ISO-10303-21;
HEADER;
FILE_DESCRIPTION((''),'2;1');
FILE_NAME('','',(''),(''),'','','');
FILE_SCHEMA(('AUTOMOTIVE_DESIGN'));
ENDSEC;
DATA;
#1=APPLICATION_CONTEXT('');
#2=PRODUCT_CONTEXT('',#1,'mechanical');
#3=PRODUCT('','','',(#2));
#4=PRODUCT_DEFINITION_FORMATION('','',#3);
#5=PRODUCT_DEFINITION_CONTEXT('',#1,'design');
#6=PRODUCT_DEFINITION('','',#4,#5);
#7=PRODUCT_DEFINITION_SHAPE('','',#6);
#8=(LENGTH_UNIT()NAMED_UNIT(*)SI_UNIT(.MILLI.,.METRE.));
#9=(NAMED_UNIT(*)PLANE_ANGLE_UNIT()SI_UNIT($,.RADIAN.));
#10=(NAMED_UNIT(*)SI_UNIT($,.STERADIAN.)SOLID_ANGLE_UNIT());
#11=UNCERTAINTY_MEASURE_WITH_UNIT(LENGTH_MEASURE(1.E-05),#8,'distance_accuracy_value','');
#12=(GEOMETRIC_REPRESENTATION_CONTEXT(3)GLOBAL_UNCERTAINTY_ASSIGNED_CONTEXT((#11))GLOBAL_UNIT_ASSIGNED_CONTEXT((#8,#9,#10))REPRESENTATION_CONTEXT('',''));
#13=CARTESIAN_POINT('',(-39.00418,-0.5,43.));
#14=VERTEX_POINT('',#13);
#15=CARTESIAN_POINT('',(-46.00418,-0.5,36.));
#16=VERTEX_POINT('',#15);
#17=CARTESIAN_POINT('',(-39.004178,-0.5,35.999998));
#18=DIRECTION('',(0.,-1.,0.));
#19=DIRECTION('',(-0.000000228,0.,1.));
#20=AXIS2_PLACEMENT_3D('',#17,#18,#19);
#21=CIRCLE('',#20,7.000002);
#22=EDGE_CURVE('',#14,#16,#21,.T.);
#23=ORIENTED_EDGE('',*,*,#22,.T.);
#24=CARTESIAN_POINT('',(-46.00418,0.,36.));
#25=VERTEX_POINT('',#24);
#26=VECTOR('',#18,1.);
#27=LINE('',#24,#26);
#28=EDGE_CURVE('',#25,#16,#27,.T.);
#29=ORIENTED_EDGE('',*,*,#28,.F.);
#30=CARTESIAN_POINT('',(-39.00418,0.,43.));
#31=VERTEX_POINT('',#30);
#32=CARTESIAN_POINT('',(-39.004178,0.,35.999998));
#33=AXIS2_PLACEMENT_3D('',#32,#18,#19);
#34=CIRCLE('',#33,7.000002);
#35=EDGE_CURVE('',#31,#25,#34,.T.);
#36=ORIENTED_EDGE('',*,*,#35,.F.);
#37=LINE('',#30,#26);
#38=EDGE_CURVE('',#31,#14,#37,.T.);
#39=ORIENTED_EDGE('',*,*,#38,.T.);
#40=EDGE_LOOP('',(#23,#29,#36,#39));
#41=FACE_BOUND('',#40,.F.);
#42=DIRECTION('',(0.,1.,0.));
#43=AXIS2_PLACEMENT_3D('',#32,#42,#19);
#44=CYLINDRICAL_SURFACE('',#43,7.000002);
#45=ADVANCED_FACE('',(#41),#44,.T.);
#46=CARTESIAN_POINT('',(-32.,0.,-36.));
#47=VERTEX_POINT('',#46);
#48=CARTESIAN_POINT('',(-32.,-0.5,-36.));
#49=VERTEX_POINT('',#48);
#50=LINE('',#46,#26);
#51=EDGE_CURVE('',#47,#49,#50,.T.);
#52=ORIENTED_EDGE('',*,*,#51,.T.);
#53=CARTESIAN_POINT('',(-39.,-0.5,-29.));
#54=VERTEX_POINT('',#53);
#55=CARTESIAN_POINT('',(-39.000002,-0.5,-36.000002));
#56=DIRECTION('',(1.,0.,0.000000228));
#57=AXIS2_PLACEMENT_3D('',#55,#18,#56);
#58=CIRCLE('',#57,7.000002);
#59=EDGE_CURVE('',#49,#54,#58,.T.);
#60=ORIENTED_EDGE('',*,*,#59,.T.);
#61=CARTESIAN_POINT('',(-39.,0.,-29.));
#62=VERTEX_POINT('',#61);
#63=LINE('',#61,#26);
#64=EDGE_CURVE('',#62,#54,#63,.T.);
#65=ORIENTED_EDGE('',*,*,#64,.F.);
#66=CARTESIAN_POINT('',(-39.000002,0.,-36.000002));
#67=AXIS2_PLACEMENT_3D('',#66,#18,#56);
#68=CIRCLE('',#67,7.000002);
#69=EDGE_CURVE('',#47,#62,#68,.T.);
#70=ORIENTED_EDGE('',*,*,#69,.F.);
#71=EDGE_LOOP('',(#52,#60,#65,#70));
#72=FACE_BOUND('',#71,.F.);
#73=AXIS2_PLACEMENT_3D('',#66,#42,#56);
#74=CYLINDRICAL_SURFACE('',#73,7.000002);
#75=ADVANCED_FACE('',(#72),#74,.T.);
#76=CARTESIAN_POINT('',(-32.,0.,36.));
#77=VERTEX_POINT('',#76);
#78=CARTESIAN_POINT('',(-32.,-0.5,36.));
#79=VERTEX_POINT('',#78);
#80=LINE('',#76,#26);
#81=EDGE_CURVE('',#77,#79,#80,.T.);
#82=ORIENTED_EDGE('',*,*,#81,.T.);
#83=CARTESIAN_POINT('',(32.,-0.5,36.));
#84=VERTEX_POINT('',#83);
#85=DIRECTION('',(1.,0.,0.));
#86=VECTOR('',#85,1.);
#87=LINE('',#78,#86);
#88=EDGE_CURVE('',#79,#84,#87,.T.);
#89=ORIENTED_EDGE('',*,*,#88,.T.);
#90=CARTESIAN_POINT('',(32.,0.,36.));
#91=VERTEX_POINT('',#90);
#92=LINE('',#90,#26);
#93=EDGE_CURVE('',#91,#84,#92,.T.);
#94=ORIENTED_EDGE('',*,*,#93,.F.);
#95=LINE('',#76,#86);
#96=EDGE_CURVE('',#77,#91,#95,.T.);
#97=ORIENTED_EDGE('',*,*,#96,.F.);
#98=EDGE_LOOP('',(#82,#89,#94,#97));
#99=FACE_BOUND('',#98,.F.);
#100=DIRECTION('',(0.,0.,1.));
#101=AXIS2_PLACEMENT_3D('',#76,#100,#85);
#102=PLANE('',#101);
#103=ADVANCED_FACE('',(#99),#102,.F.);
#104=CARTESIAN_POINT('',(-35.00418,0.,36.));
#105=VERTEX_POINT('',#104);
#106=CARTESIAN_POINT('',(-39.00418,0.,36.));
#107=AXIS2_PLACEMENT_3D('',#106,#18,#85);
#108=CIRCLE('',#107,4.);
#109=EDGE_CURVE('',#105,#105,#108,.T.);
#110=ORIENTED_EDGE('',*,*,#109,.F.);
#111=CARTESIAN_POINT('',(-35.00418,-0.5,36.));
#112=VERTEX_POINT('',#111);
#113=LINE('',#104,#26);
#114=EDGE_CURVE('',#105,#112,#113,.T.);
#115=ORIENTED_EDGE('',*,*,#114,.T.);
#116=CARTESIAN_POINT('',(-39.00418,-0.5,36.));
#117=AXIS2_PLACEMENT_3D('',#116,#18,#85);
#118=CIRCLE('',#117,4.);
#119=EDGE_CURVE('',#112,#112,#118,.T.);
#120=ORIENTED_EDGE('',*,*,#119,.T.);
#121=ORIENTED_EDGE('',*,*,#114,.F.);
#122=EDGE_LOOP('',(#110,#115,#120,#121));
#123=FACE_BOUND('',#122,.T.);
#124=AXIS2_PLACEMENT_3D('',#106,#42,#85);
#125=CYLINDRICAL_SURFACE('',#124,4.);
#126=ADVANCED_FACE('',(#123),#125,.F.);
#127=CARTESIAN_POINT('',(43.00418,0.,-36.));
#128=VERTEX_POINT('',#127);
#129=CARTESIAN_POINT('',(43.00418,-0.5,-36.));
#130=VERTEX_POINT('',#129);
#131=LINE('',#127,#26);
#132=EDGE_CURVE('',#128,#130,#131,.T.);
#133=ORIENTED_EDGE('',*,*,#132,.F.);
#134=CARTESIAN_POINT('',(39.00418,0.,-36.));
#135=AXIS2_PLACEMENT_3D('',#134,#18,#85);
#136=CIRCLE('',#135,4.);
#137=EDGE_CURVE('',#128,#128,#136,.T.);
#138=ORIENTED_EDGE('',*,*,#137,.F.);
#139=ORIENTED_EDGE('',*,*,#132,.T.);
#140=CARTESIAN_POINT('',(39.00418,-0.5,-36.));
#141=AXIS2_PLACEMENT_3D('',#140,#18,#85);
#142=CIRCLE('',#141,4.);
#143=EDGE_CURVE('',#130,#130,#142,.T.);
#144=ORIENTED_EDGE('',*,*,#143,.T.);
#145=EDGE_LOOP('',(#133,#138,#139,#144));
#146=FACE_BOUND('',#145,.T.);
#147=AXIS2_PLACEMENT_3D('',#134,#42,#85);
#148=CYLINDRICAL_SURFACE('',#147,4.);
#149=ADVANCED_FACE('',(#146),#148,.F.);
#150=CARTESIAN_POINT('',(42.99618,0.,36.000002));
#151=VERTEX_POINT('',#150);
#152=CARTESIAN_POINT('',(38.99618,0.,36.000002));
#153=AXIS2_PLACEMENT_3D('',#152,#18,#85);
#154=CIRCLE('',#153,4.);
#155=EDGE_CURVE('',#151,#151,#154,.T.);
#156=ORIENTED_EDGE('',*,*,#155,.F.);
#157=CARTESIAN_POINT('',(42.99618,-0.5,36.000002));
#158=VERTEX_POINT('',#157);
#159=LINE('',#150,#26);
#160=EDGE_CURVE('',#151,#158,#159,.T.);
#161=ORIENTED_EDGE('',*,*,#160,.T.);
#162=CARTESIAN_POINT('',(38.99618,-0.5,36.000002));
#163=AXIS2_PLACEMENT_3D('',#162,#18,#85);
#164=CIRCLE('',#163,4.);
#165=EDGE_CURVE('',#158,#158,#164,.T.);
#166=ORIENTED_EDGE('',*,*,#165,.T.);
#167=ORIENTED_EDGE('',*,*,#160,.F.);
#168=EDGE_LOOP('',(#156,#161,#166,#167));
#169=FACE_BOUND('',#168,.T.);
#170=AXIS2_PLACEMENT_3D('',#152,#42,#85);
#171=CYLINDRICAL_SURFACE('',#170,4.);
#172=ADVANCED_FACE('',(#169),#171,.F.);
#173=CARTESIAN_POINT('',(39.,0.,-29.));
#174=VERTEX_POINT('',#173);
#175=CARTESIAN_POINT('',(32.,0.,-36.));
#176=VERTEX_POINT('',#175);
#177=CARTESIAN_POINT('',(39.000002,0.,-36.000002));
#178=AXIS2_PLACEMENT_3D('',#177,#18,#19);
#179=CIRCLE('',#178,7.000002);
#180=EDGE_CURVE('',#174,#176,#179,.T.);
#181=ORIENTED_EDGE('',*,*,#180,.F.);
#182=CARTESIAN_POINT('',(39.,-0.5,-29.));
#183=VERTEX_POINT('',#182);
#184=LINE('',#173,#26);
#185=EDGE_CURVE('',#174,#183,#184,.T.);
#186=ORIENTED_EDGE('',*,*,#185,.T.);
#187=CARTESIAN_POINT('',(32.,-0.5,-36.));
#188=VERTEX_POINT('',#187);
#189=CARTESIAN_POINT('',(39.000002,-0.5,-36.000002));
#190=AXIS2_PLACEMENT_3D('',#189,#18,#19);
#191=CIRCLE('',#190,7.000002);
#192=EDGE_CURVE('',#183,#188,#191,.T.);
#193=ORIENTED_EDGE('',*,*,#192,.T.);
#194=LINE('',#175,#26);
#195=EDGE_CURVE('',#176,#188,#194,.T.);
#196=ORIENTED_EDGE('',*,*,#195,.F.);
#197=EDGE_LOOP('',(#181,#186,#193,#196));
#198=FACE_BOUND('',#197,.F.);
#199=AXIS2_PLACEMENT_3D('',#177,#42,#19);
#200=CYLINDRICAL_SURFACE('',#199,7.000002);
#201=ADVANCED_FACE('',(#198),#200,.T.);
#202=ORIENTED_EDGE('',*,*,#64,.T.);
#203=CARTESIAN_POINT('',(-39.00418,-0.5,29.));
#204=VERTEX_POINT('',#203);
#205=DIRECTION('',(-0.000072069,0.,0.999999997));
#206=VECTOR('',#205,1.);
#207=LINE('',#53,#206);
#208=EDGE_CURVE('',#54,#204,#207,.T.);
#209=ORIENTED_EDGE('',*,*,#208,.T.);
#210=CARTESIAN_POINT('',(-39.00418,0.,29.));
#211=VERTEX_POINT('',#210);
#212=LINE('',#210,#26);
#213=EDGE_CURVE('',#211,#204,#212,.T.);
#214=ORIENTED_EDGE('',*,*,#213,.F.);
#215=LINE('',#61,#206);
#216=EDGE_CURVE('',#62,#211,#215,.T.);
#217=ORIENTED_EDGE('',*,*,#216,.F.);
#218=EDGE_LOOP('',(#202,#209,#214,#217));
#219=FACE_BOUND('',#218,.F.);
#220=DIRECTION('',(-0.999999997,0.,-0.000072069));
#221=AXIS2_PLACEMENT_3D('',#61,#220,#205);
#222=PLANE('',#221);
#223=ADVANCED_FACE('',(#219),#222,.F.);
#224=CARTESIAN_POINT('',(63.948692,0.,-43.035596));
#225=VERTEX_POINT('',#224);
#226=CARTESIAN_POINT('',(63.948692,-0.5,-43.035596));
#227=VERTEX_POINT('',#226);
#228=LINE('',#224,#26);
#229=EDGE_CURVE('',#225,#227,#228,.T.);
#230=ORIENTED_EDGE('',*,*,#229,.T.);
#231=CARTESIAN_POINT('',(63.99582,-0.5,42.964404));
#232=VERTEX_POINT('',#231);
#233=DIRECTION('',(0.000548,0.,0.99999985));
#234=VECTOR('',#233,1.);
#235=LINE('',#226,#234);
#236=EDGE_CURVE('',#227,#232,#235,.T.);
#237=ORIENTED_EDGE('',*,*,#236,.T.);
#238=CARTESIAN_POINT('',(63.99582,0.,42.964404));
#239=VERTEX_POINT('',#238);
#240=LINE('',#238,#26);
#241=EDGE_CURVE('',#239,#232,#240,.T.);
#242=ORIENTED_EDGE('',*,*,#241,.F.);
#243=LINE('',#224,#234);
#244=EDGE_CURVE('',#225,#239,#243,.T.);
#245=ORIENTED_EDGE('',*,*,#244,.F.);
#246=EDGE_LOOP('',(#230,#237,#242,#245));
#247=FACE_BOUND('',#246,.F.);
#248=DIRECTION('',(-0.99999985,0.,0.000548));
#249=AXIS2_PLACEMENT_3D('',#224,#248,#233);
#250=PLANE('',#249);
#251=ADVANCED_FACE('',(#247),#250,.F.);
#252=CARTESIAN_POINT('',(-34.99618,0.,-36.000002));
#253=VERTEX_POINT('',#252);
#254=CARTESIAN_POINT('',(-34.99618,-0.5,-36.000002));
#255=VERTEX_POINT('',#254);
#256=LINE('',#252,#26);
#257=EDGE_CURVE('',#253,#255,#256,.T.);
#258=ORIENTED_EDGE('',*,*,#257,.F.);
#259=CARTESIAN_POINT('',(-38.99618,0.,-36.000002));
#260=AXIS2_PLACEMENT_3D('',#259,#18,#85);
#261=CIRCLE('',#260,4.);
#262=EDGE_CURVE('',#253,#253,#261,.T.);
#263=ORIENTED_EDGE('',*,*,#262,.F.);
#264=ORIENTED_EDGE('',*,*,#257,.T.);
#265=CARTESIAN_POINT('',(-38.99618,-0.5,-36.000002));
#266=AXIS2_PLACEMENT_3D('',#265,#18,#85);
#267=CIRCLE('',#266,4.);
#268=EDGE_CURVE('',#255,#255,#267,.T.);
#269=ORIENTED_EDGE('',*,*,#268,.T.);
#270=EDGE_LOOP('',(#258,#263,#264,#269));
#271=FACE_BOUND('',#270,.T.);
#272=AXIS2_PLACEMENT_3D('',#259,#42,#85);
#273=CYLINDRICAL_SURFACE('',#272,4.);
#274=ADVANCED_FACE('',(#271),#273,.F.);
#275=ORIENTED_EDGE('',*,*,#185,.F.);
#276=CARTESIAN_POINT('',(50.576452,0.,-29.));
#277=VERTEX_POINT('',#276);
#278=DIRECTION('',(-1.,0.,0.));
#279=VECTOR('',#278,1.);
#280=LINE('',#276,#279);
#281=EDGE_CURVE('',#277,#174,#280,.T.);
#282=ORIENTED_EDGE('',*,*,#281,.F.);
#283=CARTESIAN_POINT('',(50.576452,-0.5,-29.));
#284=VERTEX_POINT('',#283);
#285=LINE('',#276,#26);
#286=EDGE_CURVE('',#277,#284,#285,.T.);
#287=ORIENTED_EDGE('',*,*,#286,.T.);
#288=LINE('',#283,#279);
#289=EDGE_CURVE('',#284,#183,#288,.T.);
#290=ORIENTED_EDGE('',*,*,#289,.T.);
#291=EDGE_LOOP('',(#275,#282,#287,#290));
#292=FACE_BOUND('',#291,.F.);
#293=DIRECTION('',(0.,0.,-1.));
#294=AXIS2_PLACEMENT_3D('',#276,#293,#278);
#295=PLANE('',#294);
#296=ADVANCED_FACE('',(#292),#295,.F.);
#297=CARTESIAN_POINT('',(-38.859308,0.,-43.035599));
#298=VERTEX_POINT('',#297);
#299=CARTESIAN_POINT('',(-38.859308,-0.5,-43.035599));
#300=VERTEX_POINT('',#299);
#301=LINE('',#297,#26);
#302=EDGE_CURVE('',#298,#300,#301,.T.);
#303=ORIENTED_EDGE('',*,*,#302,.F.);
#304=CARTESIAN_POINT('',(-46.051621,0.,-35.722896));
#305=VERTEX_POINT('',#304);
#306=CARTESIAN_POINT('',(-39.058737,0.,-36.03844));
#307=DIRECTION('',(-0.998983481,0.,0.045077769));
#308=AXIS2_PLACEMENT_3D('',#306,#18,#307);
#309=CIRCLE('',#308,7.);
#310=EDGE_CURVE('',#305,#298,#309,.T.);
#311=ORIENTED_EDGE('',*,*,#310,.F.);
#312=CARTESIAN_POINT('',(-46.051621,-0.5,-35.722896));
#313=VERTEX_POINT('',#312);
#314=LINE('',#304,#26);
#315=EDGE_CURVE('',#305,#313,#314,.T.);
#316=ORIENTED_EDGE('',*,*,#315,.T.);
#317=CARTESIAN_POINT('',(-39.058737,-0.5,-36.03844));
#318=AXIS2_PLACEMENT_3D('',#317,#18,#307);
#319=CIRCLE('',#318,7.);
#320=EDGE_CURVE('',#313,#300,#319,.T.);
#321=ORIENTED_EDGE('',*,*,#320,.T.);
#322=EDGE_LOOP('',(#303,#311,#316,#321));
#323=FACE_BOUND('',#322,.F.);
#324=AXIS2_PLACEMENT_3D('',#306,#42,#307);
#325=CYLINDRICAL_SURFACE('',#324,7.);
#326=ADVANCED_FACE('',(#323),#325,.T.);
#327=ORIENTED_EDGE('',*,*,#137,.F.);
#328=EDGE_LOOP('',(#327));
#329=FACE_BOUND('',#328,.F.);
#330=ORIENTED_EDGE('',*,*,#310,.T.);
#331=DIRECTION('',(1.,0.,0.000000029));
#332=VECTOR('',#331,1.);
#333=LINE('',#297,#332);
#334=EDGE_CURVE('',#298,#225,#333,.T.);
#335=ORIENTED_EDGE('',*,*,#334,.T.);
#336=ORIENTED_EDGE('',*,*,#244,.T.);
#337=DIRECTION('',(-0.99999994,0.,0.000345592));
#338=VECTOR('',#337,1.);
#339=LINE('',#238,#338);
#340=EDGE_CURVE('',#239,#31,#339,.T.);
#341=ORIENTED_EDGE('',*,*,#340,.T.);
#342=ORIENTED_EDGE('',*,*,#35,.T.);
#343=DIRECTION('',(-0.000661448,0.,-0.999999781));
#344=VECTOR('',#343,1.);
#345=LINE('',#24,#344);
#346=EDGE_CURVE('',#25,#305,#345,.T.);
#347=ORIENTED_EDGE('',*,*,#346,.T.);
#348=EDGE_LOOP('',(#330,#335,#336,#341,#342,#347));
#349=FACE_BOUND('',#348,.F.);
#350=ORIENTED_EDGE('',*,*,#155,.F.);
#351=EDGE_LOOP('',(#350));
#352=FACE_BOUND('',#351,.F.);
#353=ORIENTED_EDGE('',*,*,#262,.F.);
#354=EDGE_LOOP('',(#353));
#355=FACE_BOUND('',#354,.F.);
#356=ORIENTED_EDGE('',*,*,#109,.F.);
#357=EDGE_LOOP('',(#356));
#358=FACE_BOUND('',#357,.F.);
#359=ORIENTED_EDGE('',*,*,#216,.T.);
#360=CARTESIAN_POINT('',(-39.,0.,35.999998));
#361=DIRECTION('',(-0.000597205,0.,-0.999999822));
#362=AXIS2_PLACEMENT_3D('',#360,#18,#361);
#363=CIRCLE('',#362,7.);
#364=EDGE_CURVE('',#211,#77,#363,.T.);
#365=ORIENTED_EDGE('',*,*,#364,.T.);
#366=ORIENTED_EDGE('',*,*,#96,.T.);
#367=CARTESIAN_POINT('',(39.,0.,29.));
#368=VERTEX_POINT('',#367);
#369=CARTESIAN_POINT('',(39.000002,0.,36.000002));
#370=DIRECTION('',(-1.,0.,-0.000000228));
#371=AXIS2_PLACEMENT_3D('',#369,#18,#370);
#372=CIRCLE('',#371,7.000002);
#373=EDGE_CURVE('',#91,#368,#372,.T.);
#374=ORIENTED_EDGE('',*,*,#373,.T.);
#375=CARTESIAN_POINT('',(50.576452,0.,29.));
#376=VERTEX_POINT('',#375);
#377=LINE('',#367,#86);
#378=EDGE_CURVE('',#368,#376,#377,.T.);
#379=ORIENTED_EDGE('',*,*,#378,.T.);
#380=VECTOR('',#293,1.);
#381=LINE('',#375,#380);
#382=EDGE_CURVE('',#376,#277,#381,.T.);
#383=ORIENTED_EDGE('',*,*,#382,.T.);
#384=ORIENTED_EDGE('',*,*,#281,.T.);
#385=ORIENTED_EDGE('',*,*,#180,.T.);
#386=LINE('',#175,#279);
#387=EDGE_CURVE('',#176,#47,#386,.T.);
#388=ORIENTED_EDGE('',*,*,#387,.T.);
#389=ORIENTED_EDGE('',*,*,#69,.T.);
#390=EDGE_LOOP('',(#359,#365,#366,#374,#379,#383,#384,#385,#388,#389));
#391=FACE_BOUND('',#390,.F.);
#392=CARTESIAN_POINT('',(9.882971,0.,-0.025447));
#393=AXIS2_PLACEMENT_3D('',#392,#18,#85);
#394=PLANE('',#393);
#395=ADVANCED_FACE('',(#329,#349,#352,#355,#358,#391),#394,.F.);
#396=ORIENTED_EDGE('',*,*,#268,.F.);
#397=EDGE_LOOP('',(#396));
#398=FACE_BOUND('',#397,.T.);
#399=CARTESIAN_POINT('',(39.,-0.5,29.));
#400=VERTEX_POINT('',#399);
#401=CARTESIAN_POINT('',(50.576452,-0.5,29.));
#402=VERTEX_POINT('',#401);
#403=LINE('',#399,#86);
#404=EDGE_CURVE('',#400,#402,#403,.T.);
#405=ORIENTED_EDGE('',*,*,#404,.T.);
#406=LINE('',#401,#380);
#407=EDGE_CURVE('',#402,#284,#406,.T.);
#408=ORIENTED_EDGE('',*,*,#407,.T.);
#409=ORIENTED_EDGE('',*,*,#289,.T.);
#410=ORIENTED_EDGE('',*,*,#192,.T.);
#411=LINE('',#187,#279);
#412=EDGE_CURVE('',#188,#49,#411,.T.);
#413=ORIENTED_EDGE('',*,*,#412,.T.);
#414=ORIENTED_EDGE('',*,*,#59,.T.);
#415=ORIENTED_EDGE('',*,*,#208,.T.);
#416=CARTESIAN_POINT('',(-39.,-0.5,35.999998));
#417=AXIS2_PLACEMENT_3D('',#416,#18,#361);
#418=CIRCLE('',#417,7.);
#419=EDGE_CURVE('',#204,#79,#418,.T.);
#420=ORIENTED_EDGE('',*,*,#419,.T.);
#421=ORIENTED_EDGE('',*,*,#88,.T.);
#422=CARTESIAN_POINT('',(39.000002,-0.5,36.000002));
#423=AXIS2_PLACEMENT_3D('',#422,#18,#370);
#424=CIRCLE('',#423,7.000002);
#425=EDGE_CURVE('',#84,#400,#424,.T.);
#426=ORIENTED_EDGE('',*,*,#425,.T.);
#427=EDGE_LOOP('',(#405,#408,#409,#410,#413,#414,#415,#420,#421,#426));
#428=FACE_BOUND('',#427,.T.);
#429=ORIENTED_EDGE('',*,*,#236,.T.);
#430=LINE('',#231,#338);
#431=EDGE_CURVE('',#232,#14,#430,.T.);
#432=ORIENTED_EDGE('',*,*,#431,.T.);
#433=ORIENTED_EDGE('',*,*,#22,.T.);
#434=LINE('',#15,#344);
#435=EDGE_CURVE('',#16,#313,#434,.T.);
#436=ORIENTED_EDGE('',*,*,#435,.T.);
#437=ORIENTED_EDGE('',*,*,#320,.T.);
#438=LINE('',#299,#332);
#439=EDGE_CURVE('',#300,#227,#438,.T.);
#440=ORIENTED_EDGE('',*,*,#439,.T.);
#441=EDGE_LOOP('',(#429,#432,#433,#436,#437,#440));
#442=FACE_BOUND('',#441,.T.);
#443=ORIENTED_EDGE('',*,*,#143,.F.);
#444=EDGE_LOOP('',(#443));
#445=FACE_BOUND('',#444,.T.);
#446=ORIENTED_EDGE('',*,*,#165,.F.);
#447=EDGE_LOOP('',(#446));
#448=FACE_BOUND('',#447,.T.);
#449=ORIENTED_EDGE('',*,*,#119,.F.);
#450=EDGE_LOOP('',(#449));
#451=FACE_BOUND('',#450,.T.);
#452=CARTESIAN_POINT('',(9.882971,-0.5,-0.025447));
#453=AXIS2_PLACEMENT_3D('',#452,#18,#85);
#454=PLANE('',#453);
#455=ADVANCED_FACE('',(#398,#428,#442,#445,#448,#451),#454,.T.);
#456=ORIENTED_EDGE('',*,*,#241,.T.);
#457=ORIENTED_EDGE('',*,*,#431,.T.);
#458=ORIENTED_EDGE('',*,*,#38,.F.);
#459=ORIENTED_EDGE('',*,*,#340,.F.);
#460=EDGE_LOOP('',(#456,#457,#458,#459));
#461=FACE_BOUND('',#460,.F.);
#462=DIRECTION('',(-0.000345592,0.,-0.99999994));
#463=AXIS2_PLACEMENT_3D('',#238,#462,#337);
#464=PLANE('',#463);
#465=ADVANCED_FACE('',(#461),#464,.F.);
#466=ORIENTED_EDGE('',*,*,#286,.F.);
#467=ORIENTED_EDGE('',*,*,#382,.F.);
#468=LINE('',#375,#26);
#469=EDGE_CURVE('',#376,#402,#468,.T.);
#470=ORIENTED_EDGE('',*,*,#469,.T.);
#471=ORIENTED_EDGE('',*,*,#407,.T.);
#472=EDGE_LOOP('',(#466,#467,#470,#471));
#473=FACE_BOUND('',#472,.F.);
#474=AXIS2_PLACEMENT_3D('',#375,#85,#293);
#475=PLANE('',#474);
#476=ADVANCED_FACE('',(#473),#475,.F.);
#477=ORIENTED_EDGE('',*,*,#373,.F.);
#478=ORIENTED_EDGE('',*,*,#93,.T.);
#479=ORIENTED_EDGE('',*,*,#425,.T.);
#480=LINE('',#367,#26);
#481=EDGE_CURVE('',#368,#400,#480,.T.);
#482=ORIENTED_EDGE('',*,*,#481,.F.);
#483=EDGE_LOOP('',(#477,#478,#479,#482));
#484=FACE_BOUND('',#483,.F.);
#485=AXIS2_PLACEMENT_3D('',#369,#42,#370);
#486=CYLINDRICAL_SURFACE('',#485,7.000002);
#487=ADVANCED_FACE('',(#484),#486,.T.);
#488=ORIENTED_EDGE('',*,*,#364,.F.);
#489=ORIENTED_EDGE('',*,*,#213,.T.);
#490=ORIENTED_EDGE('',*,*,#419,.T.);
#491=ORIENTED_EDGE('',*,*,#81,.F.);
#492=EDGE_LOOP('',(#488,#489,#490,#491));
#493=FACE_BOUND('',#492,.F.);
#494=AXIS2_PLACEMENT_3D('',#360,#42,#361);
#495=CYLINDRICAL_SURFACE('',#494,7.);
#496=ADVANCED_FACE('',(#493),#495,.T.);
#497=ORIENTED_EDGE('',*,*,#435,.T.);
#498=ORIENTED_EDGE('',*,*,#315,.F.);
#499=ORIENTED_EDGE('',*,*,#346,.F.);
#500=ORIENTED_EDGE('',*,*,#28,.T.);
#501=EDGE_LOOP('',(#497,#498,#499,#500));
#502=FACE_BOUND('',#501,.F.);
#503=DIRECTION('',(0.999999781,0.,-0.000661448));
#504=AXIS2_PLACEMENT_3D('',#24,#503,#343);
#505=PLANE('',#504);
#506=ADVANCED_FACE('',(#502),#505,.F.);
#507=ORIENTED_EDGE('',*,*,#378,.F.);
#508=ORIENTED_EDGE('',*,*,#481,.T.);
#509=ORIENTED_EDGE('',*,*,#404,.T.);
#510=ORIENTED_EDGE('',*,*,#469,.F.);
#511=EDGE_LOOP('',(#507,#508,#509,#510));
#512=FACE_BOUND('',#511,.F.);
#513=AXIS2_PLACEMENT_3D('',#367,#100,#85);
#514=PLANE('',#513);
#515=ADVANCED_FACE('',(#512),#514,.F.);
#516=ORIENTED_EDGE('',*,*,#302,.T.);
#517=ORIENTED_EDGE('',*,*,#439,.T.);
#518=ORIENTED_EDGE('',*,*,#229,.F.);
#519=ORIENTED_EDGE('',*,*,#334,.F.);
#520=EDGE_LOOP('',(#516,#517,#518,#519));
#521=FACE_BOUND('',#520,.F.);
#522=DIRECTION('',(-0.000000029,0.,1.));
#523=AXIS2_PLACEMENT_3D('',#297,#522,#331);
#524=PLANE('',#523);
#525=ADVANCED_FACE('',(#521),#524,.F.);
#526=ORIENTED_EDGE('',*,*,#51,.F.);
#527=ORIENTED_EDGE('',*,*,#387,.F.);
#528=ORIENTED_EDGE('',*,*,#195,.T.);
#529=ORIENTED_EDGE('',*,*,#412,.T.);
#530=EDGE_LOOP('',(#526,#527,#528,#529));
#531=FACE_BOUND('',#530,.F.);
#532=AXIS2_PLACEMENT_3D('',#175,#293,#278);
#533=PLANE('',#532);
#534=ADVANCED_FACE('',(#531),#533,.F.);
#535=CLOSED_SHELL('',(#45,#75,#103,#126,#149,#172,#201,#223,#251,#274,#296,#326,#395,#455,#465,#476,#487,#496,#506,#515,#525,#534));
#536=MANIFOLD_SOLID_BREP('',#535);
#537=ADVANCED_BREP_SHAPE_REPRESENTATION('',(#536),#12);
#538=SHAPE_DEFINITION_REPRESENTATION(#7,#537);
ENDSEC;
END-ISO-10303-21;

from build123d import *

# Parameters (mm, degrees)
F0_R     = 4
F1_DEPTH = 0.5


with BuildPart() as f1:
    # F0 (on Front) → F1 (new body)
    with BuildSketch(Plane.XZ):
        with BuildLine():
            Line((63.948692, -43.035596), (63.99582, 42.964404))
            Line((63.99582, 42.964404), (-39.00418, 43))
            ThreePointArc((-39.00418, 43), (-43.953927, 40.949747), (-46.00418, 36))
            Line((-46.00418, 36), (-46.051621, -35.722896))
            ThreePointArc((-46.051621, -35.722896), (-44.049395, -40.946936), (-38.859308, -43.035599))
            Line((-38.859308, -43.035599), (63.948692, -43.035596))
        make_face()
        with Locations((-38.99618, -36.000002)):
            Circle(F0_R, mode=Mode.SUBTRACT)
        with Locations((39.00418, -36)):
            Circle(F0_R, mode=Mode.SUBTRACT)
        with BuildLine():
            ThreePointArc((-39.00418, 29), (-34.05173, 31.048774), (-32, 36))
            Line((-32, 36), (32, 36))
            ThreePointArc((32, 36), (34.050253, 31.050253), (39, 29))
            Line((39, 29), (50.576452, 29))
            Line((50.576452, 29), (50.576452, -29))
            Line((50.576452, -29), (39, -29))
            ThreePointArc((39, -29), (34.050253, -31.050253), (32, -36))
            Line((32, -36), (-32, -36))
            ThreePointArc((-32, -36), (-34.050253, -31.050253), (-39, -29))
            Line((-39, -29), (-39.00418, 29))
        make_face(mode=Mode.SUBTRACT)
        with Locations((-39.00418, 36)):
            Circle(F0_R, mode=Mode.SUBTRACT)
        with Locations((38.99618, 36.000002)):
            Circle(F0_R, mode=Mode.SUBTRACT)
    extrude(amount=F1_DEPTH)


solid = f1.part
